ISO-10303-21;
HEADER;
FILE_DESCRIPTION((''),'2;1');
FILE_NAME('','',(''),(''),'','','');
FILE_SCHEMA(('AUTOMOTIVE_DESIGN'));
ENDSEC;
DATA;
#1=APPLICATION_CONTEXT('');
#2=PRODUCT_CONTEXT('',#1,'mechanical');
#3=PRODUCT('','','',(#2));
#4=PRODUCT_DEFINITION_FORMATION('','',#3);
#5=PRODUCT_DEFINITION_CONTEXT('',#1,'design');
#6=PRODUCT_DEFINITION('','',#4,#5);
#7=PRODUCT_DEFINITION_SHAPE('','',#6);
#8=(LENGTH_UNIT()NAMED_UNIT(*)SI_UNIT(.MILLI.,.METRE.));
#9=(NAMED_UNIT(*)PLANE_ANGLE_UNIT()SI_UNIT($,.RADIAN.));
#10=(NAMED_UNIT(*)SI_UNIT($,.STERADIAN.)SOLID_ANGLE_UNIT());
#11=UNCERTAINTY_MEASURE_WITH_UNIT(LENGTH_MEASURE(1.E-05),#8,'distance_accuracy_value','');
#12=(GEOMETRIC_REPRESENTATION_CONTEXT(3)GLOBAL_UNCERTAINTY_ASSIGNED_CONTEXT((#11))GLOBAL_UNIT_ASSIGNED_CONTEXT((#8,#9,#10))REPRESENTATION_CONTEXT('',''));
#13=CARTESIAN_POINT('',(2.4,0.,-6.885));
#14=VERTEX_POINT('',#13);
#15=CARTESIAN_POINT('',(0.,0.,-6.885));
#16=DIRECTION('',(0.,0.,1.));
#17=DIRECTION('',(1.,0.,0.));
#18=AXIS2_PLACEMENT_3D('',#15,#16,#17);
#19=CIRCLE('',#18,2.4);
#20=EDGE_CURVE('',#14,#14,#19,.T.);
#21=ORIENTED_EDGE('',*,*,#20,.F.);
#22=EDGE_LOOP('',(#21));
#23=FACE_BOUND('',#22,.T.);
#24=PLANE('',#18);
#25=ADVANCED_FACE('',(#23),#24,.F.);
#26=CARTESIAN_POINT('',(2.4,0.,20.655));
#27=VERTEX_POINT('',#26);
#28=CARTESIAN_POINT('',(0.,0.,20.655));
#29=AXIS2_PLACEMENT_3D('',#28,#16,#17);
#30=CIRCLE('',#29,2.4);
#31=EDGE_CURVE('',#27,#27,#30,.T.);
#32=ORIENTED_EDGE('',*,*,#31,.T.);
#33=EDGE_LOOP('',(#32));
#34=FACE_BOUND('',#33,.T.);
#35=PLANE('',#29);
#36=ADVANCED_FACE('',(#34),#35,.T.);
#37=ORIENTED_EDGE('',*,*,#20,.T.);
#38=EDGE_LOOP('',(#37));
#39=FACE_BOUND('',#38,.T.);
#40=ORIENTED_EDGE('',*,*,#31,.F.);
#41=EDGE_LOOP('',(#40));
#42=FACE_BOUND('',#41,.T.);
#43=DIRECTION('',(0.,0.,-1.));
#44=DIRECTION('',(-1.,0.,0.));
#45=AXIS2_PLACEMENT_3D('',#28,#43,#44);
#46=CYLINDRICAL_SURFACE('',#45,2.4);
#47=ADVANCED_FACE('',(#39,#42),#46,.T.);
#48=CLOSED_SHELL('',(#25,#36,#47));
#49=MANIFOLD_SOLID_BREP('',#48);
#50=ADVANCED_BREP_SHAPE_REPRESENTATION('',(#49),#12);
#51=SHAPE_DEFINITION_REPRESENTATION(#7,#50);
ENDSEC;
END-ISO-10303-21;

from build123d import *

# Parameters (mm, degrees)
SKETCH1_R           = 1.2
BOSS_EXTRUDE1_DEPTH = 13.77
SCALE_1_SCALE       = 2


with BuildPart() as part:
    # Sketch1 → Boss-Extrude1 (new body)
    with BuildSketch(Plane.XY):
        Circle(SKETCH1_R)
    extrude(amount=BOSS_EXTRUDE1_DEPTH)


with BuildPart() as part_1:
    # 缩放比例1: scaled about (0, 0, 6.885)
    add(part.part.scale(SCALE_1_SCALE).moved(Location((0, 0, -6.885))))


solid = part_1.part
